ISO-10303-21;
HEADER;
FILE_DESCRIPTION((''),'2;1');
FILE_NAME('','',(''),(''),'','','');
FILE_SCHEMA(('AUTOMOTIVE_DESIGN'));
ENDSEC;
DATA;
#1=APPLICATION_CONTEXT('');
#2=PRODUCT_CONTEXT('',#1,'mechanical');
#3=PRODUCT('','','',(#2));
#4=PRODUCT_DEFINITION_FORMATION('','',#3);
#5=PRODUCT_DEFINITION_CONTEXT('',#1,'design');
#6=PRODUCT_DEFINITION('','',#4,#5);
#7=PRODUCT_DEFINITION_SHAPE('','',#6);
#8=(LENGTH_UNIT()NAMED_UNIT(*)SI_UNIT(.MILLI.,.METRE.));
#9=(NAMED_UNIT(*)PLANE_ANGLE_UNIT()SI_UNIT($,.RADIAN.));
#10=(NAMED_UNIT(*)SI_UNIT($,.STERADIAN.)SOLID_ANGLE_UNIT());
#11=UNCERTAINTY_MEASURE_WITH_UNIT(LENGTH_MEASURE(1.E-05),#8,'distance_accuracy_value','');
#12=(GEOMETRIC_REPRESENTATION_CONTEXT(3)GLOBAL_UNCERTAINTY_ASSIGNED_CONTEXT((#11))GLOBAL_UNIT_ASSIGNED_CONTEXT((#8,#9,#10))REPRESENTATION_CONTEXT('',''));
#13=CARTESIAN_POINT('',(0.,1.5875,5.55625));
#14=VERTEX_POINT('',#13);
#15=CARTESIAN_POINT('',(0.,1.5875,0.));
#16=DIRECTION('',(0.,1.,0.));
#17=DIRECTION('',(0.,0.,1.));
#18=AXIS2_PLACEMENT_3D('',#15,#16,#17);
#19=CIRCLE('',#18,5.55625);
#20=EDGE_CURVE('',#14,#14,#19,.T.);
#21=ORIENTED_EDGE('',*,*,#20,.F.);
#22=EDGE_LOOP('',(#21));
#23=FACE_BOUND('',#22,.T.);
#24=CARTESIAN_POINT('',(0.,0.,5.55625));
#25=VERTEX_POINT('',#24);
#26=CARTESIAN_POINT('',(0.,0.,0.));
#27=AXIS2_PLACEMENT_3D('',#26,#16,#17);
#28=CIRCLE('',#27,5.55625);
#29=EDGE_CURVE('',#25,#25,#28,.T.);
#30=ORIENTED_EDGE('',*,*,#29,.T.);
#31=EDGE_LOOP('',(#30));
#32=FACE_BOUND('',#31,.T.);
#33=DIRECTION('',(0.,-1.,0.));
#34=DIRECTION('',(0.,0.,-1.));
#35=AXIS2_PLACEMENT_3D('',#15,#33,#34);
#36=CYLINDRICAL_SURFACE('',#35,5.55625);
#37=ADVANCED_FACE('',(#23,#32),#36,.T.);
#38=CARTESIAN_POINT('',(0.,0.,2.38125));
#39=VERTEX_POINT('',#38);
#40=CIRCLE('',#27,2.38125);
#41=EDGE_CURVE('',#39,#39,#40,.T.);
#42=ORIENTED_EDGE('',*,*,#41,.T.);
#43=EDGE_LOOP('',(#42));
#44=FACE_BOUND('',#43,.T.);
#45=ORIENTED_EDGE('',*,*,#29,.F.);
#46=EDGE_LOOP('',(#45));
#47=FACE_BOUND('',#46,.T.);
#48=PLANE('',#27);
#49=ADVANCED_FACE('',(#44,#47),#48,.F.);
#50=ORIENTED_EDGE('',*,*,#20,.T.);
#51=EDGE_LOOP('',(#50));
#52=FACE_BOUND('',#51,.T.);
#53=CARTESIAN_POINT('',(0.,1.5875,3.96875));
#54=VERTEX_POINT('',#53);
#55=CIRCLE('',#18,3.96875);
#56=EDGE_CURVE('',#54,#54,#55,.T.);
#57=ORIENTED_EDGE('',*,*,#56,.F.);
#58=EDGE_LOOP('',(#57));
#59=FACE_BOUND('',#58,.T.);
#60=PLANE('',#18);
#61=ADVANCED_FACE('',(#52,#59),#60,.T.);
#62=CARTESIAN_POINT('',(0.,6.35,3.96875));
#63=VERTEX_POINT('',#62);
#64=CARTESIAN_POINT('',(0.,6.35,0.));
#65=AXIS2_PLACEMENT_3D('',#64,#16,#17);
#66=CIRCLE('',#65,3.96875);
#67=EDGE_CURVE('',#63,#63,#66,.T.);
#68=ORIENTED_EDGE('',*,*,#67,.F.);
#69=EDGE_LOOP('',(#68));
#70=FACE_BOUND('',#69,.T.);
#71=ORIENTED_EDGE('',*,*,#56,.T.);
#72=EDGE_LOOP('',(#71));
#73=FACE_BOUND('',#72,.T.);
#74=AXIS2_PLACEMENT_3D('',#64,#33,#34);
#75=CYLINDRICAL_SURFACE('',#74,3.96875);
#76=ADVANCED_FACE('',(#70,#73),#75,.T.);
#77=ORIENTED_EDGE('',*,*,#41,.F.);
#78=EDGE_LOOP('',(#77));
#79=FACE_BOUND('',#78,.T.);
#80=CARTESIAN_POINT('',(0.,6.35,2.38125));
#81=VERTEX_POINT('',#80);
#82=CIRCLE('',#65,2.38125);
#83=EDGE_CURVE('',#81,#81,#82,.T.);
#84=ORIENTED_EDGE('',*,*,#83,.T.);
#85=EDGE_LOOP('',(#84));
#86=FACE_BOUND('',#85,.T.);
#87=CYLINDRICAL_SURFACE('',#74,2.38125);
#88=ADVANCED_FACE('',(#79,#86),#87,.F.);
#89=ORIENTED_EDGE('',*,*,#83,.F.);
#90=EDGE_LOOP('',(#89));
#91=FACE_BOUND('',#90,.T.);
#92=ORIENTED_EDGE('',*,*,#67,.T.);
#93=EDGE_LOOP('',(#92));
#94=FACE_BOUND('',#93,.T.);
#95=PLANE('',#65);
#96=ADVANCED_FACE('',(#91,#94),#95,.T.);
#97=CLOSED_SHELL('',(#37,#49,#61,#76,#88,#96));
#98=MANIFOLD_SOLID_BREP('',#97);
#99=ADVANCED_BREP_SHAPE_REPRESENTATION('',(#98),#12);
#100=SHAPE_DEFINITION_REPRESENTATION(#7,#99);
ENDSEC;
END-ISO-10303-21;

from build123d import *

# Parameters (mm, degrees)
SKETCH2_R           = 3.96875
SKETCH2_R_2         = 2.38125
BOSS_EXTRUDE1_DEPTH = 6.35
SKETCH3_R           = 5.55625
SKETCH3_R_2         = 3.96875
BOSS_EXTRUDE2_DEPTH = 1.5875


with BuildPart() as part:
    # Sketch2 → Boss-Extrude1 (new body)
    with BuildSketch(Plane(origin=(0, 0, 0), x_dir=(1, 0, 0), z_dir=(0, 1, 0))):
        Circle(SKETCH2_R)
        Circle(SKETCH2_R_2, mode=Mode.SUBTRACT)
    extrude(amount=BOSS_EXTRUDE1_DEPTH)

    # Sketch3 → Boss-Extrude2 (add)
    with BuildSketch(Plane(origin=(0, 0, 0), x_dir=(1, 0, 0), z_dir=(0, 1, 0))):
        Circle(SKETCH3_R)
        Circle(SKETCH3_R_2, mode=Mode.SUBTRACT)
    extrude(amount=BOSS_EXTRUDE2_DEPTH)


solid = part.part
